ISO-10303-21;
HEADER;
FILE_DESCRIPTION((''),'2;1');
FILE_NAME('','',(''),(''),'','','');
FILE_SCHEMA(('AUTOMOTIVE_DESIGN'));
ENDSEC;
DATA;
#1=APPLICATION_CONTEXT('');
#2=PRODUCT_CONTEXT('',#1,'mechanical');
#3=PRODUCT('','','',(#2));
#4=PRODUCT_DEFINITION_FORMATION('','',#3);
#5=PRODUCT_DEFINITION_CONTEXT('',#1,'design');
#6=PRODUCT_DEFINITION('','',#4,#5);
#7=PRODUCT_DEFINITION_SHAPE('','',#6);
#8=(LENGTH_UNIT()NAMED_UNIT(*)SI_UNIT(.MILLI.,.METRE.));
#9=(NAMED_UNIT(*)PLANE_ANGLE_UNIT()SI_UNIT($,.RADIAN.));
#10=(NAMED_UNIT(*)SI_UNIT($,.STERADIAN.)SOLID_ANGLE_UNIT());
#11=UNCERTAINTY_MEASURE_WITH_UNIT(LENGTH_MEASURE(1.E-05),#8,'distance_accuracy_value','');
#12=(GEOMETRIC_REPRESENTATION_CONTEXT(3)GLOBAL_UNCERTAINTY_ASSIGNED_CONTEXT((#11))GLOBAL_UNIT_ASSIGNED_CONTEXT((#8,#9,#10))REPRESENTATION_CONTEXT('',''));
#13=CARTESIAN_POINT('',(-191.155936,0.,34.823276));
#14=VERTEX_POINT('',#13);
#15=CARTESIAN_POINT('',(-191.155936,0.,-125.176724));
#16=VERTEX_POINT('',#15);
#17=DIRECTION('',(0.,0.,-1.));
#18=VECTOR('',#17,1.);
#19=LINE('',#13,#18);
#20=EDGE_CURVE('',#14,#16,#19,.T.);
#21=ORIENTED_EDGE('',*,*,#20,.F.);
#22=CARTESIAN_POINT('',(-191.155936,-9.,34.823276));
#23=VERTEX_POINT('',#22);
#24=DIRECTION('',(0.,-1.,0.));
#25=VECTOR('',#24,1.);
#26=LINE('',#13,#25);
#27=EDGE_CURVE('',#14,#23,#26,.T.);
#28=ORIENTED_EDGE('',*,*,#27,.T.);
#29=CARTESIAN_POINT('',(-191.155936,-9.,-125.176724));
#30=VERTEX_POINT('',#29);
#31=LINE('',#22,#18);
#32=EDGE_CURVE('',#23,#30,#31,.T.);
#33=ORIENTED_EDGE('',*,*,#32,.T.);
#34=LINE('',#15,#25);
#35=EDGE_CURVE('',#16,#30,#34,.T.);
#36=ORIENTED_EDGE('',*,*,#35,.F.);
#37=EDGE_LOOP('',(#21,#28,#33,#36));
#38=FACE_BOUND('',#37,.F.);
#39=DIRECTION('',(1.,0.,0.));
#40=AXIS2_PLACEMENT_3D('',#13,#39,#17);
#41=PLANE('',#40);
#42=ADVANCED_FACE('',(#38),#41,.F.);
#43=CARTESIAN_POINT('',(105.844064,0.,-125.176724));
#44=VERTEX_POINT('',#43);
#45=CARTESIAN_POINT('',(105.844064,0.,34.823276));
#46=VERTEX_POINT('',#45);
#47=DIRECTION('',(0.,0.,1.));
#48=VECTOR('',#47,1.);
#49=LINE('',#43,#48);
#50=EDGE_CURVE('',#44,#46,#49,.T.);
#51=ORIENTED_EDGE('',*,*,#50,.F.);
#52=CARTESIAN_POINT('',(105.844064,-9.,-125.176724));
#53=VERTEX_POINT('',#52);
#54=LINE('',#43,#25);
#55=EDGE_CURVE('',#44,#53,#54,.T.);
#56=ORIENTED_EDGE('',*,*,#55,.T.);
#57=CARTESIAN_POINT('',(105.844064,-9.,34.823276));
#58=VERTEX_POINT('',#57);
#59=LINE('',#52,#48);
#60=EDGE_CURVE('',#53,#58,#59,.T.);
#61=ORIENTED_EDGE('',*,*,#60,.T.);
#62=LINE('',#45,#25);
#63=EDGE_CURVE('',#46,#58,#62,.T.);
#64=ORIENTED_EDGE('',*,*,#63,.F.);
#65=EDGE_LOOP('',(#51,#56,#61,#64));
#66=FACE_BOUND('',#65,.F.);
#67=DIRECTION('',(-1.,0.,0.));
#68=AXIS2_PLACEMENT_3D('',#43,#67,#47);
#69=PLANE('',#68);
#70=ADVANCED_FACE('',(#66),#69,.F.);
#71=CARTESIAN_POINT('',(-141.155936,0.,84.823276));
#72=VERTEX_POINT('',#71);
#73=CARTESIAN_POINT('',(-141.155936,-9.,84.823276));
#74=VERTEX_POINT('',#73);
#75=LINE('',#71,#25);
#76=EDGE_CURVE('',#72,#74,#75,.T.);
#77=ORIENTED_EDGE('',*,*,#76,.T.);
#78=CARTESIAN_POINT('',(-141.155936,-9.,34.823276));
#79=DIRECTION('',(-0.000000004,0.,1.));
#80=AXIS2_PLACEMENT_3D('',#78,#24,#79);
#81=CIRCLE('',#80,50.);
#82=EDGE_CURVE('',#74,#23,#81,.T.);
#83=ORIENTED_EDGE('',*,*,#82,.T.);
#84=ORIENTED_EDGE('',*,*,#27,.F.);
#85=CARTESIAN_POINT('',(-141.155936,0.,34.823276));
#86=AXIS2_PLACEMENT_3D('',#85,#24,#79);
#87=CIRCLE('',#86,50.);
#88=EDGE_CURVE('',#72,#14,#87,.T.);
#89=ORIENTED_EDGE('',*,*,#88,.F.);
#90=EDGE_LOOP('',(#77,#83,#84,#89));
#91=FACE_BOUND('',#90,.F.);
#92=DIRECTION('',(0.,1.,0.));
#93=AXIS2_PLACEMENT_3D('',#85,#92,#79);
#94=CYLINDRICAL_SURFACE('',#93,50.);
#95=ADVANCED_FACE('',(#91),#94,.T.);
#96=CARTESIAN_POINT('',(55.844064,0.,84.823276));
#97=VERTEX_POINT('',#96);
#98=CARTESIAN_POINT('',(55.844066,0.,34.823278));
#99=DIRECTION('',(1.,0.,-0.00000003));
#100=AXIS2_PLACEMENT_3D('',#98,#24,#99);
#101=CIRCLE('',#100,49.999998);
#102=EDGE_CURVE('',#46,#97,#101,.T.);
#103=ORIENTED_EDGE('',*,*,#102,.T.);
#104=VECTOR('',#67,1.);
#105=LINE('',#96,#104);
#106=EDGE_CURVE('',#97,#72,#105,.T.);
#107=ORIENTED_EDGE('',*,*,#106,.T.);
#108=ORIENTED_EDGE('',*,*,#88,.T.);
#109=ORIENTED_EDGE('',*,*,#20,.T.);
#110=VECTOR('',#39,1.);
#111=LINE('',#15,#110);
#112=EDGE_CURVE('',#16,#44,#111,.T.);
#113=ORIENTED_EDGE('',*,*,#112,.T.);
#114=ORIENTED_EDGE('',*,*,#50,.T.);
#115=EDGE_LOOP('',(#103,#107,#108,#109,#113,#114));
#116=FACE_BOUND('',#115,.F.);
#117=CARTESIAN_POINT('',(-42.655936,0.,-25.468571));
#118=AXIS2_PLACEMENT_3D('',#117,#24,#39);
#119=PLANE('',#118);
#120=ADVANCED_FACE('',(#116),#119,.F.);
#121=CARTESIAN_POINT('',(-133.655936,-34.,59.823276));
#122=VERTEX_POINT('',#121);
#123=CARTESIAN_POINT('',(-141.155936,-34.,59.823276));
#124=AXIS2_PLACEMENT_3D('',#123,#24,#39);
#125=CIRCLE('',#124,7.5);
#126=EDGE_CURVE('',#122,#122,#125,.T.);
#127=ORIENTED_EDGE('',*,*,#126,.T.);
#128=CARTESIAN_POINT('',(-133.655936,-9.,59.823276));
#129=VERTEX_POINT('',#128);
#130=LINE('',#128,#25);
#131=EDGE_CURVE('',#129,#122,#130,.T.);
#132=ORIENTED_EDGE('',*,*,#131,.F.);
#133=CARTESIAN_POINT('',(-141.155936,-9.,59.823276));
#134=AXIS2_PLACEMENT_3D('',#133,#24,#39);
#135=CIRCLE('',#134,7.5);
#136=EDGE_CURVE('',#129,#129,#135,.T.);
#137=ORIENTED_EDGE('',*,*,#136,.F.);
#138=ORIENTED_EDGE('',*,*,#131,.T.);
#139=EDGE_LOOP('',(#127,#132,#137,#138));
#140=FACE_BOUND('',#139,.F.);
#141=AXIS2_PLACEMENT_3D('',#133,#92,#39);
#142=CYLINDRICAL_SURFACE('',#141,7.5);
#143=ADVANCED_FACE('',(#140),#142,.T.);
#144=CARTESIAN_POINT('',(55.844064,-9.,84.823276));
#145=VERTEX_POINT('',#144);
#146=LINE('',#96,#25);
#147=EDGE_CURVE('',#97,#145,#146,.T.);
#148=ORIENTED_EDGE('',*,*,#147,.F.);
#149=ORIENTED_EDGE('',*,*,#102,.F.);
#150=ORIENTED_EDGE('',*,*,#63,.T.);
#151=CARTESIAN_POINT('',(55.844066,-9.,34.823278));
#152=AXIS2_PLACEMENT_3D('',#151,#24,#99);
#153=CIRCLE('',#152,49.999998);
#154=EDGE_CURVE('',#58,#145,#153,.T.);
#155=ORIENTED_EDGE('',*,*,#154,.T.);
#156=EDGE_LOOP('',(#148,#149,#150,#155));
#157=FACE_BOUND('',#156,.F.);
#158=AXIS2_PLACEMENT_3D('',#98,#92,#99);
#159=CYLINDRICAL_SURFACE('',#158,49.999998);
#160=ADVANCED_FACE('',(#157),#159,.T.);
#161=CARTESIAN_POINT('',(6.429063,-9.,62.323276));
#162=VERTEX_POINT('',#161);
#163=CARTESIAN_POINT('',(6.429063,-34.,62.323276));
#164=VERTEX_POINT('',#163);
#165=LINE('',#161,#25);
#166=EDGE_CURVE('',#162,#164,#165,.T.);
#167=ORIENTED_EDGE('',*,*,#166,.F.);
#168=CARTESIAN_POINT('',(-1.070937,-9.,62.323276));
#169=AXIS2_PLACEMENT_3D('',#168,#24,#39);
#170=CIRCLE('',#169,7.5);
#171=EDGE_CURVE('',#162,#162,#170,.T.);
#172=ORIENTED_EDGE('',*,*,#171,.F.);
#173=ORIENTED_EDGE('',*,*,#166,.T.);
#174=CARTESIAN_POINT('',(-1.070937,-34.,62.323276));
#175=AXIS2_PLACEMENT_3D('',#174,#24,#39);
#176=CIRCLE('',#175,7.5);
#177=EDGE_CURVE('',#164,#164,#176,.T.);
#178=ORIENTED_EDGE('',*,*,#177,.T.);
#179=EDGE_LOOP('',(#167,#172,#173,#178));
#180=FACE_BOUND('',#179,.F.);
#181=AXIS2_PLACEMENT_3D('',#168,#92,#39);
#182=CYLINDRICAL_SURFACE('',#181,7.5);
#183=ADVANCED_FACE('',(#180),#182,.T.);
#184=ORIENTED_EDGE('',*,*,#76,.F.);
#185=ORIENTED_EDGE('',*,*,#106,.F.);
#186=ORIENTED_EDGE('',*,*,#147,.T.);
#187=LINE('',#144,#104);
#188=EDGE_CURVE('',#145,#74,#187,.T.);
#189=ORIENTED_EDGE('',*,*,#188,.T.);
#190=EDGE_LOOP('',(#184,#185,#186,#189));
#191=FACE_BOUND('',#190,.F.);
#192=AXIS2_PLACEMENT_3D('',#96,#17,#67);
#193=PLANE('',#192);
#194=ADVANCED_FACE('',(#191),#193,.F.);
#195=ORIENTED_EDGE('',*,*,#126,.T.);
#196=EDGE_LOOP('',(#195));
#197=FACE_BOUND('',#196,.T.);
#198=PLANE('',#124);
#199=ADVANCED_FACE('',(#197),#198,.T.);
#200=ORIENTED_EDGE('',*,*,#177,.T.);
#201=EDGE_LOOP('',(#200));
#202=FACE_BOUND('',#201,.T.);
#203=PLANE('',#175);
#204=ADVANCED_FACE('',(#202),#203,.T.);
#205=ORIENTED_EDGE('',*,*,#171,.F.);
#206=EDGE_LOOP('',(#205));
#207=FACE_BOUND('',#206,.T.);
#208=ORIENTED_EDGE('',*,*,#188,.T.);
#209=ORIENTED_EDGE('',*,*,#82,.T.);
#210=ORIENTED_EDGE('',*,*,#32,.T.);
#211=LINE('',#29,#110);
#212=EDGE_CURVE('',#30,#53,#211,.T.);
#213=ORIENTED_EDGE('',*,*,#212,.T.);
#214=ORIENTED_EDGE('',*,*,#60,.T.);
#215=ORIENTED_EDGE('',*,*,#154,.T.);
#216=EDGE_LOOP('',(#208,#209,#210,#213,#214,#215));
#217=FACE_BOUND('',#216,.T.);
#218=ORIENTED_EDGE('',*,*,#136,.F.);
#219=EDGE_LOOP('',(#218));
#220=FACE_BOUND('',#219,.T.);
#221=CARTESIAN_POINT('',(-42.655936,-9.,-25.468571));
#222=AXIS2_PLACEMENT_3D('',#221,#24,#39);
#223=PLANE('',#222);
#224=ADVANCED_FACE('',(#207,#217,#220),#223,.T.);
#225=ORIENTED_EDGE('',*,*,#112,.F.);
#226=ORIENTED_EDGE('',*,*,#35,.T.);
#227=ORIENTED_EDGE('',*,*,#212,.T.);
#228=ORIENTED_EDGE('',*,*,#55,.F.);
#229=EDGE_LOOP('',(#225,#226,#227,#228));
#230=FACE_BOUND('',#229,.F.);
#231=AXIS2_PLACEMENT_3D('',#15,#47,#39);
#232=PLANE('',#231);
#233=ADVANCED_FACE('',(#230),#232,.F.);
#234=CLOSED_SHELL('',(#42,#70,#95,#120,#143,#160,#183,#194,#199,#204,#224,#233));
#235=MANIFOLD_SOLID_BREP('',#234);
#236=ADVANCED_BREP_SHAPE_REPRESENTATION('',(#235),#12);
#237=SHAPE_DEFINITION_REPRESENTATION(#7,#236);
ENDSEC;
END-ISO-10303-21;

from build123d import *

# Parameters (mm, degrees)
F1_DEPTH = 9
F2_R     = 7.5
F3_DEPTH = 25


with BuildPart() as f1:
    # F0 (on Front) → F1 (new body)
    with BuildSketch(Plane.XZ):
        with BuildLine():
            Line((55.844064, 84.823276), (-141.155936, 84.823276))
            ThreePointArc((-141.155936, 84.823276), (-176.511275, 70.178615), (-191.155936, 34.823276))
            Line((-191.155936, 34.823276), (-191.155936, -125.176724))
            Line((-191.155936, -125.176724), (105.844064, -125.176724))
            Line((105.844064, -125.176724), (105.844064, 34.823276))
            ThreePointArc((105.844064, 34.823276), (91.199404, 70.178615), (55.844064, 84.823276))
        make_face()
    extrude(amount=F1_DEPTH)

    # F2 (on face) → F3 (join)
    with BuildSketch(Plane.XZ.offset(9)):
        with Locations((-141.155936, 59.823276)):
            Circle(F2_R)
        with Locations((-1.070937, 62.323276)):
            Circle(F2_R)
    extrude(amount=F3_DEPTH)


solid = f1.part
